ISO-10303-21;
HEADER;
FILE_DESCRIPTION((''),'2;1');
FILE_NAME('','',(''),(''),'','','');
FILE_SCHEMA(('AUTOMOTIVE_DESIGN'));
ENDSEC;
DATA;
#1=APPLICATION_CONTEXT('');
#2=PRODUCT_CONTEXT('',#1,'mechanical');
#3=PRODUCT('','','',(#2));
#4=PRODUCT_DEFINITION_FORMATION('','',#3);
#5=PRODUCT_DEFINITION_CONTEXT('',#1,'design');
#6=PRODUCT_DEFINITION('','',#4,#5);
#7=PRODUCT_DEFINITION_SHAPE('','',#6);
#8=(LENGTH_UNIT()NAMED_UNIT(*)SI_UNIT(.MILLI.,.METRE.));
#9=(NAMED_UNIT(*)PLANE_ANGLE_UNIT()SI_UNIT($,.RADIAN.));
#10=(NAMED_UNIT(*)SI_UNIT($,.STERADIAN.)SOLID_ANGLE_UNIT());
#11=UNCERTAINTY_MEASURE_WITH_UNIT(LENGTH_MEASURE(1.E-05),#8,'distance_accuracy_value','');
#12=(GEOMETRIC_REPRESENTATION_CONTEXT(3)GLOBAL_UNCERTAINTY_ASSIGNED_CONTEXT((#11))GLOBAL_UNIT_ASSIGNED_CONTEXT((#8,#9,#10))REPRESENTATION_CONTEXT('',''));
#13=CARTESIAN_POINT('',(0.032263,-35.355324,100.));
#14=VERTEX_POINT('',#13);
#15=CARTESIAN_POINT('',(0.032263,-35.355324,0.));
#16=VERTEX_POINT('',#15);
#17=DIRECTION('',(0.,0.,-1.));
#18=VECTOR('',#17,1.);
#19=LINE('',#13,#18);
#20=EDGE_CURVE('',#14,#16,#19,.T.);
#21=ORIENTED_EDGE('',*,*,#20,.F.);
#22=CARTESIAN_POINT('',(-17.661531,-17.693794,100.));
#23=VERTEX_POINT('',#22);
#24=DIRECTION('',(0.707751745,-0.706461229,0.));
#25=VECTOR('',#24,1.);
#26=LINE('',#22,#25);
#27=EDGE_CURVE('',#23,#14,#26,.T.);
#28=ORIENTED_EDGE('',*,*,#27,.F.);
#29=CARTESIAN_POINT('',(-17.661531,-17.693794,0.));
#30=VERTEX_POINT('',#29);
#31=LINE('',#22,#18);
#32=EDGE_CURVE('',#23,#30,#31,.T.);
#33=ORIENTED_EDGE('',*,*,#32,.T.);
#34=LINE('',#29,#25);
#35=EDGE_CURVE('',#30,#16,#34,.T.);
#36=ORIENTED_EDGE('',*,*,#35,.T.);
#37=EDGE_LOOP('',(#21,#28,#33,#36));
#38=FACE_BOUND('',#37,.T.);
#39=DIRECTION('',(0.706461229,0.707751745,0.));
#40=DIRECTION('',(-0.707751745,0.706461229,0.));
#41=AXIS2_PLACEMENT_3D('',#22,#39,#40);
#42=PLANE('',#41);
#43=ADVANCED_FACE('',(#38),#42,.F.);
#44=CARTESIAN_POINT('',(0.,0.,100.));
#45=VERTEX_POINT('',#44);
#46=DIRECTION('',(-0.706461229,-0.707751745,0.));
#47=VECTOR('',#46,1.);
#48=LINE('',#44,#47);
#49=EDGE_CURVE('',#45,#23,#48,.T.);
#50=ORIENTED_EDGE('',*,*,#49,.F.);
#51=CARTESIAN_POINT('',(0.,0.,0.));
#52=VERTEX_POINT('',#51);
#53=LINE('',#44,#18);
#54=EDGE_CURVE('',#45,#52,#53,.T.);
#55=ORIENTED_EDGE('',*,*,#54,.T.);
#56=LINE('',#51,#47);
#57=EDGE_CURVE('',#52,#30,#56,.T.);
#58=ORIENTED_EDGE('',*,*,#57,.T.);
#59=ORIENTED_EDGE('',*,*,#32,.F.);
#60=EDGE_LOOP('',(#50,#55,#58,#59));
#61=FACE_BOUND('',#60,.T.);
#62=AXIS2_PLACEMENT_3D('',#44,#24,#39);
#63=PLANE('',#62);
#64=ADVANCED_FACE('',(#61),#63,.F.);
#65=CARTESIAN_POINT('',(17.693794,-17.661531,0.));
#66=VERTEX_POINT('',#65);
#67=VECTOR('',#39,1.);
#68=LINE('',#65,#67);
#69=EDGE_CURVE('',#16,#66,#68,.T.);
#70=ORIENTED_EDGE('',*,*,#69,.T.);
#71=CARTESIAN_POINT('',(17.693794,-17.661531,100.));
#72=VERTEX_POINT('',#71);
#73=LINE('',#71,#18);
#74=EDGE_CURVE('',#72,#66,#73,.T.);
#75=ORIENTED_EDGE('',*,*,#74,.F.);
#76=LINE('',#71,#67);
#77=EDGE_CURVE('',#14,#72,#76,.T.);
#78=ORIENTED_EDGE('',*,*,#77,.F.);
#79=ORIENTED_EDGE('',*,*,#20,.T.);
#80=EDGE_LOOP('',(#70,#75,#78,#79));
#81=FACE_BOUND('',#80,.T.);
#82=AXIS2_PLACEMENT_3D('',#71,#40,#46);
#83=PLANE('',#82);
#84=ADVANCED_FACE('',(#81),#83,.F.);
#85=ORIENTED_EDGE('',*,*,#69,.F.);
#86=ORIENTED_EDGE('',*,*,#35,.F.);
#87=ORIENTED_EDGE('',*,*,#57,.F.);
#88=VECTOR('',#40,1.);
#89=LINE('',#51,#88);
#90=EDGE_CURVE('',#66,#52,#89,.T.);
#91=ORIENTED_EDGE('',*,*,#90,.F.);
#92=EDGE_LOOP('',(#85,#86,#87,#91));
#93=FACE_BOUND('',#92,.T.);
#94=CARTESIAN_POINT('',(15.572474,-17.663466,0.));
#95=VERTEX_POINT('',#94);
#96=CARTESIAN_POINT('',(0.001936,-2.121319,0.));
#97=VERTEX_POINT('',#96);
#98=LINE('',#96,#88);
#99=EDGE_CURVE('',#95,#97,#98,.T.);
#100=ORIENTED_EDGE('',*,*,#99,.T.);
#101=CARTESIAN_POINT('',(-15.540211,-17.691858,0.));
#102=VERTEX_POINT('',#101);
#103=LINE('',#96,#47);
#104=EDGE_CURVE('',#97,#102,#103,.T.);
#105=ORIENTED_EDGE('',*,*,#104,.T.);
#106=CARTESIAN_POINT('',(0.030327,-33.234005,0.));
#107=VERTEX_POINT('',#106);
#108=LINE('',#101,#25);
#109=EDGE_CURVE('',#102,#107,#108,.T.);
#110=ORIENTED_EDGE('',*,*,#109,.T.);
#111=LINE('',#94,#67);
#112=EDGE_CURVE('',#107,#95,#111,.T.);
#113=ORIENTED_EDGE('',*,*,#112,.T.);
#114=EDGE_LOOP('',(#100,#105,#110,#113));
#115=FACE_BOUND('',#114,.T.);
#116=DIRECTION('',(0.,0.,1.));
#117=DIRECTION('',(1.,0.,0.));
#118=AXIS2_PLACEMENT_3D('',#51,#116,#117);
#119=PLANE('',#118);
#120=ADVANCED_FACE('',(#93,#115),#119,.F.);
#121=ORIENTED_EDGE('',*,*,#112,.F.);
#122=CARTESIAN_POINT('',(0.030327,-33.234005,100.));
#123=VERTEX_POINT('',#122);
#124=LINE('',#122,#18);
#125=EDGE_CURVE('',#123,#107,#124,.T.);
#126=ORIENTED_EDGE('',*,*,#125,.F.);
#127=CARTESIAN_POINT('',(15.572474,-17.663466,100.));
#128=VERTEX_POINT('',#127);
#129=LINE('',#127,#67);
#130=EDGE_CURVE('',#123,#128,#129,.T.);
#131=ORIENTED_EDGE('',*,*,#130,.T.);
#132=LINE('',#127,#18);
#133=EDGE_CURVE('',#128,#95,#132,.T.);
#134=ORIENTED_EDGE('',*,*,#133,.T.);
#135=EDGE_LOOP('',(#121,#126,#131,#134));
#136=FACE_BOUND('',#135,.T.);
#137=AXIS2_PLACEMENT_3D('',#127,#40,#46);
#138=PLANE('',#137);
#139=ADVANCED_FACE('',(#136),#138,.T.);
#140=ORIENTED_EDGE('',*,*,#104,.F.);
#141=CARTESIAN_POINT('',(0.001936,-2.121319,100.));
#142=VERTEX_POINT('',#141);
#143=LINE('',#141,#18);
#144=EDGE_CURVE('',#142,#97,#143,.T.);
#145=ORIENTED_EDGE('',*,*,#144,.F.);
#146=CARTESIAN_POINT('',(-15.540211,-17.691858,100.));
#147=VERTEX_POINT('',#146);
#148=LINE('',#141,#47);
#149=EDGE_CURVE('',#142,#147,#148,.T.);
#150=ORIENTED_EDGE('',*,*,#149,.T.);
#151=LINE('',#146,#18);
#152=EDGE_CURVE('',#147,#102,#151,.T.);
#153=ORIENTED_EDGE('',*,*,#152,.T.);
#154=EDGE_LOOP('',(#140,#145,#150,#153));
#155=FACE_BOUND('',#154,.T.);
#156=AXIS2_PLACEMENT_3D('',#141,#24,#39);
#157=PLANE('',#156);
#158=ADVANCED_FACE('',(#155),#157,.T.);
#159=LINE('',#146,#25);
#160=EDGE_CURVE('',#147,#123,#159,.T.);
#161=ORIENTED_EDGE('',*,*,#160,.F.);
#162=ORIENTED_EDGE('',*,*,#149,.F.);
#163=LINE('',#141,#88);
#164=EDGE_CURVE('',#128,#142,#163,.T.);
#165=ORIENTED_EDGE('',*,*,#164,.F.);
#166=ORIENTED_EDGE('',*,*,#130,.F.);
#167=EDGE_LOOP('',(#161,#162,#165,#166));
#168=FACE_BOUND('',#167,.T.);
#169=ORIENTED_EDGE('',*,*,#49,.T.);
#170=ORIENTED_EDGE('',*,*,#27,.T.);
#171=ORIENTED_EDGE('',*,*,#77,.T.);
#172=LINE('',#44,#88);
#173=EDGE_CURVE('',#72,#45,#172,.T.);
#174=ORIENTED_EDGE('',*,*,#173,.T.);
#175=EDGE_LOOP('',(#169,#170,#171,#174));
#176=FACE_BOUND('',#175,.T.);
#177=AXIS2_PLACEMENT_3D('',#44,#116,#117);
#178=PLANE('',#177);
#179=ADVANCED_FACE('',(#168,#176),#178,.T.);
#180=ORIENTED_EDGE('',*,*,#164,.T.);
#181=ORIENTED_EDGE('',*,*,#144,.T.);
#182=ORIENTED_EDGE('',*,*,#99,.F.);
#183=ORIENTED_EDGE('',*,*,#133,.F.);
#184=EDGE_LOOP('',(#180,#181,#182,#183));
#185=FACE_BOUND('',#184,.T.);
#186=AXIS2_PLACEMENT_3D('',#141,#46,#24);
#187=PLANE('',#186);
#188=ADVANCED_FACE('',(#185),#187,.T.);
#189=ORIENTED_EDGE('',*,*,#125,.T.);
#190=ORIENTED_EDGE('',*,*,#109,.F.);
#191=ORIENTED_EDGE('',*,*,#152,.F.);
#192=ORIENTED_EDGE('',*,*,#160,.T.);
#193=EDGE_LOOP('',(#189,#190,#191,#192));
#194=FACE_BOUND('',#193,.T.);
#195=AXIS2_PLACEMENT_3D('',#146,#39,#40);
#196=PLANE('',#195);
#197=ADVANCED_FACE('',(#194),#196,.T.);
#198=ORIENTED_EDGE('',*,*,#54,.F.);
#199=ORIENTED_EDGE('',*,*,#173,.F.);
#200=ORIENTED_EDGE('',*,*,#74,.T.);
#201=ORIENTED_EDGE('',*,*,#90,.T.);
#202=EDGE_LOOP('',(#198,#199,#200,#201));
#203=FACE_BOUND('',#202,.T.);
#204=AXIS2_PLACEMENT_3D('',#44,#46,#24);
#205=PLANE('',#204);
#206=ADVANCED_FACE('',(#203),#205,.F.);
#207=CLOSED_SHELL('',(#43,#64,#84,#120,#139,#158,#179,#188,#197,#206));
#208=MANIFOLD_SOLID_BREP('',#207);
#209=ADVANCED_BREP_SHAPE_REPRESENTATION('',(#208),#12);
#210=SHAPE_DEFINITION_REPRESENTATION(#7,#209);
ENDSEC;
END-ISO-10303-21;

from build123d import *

# Parameters (mm, degrees)
EXTRUDE_1_DEPTH = 100


with BuildPart() as part:
    # 草圖1 → 填料-伸長1 (new body)
    with BuildSketch(Plane.XY):
        Polygon((0, 0), (17.69379362, -17.661530719), (0.032262901, -35.355324339), (-17.661530719, -17.69379362), align=None)
        Polygon((0.001935774, -2.12131946), (-15.540211259, -17.691857846), (0.030327127, -33.234004879), (15.57247416, -17.663466493), align=None, mode=Mode.SUBTRACT)
    extrude(amount=EXTRUDE_1_DEPTH)


solid = part.part
